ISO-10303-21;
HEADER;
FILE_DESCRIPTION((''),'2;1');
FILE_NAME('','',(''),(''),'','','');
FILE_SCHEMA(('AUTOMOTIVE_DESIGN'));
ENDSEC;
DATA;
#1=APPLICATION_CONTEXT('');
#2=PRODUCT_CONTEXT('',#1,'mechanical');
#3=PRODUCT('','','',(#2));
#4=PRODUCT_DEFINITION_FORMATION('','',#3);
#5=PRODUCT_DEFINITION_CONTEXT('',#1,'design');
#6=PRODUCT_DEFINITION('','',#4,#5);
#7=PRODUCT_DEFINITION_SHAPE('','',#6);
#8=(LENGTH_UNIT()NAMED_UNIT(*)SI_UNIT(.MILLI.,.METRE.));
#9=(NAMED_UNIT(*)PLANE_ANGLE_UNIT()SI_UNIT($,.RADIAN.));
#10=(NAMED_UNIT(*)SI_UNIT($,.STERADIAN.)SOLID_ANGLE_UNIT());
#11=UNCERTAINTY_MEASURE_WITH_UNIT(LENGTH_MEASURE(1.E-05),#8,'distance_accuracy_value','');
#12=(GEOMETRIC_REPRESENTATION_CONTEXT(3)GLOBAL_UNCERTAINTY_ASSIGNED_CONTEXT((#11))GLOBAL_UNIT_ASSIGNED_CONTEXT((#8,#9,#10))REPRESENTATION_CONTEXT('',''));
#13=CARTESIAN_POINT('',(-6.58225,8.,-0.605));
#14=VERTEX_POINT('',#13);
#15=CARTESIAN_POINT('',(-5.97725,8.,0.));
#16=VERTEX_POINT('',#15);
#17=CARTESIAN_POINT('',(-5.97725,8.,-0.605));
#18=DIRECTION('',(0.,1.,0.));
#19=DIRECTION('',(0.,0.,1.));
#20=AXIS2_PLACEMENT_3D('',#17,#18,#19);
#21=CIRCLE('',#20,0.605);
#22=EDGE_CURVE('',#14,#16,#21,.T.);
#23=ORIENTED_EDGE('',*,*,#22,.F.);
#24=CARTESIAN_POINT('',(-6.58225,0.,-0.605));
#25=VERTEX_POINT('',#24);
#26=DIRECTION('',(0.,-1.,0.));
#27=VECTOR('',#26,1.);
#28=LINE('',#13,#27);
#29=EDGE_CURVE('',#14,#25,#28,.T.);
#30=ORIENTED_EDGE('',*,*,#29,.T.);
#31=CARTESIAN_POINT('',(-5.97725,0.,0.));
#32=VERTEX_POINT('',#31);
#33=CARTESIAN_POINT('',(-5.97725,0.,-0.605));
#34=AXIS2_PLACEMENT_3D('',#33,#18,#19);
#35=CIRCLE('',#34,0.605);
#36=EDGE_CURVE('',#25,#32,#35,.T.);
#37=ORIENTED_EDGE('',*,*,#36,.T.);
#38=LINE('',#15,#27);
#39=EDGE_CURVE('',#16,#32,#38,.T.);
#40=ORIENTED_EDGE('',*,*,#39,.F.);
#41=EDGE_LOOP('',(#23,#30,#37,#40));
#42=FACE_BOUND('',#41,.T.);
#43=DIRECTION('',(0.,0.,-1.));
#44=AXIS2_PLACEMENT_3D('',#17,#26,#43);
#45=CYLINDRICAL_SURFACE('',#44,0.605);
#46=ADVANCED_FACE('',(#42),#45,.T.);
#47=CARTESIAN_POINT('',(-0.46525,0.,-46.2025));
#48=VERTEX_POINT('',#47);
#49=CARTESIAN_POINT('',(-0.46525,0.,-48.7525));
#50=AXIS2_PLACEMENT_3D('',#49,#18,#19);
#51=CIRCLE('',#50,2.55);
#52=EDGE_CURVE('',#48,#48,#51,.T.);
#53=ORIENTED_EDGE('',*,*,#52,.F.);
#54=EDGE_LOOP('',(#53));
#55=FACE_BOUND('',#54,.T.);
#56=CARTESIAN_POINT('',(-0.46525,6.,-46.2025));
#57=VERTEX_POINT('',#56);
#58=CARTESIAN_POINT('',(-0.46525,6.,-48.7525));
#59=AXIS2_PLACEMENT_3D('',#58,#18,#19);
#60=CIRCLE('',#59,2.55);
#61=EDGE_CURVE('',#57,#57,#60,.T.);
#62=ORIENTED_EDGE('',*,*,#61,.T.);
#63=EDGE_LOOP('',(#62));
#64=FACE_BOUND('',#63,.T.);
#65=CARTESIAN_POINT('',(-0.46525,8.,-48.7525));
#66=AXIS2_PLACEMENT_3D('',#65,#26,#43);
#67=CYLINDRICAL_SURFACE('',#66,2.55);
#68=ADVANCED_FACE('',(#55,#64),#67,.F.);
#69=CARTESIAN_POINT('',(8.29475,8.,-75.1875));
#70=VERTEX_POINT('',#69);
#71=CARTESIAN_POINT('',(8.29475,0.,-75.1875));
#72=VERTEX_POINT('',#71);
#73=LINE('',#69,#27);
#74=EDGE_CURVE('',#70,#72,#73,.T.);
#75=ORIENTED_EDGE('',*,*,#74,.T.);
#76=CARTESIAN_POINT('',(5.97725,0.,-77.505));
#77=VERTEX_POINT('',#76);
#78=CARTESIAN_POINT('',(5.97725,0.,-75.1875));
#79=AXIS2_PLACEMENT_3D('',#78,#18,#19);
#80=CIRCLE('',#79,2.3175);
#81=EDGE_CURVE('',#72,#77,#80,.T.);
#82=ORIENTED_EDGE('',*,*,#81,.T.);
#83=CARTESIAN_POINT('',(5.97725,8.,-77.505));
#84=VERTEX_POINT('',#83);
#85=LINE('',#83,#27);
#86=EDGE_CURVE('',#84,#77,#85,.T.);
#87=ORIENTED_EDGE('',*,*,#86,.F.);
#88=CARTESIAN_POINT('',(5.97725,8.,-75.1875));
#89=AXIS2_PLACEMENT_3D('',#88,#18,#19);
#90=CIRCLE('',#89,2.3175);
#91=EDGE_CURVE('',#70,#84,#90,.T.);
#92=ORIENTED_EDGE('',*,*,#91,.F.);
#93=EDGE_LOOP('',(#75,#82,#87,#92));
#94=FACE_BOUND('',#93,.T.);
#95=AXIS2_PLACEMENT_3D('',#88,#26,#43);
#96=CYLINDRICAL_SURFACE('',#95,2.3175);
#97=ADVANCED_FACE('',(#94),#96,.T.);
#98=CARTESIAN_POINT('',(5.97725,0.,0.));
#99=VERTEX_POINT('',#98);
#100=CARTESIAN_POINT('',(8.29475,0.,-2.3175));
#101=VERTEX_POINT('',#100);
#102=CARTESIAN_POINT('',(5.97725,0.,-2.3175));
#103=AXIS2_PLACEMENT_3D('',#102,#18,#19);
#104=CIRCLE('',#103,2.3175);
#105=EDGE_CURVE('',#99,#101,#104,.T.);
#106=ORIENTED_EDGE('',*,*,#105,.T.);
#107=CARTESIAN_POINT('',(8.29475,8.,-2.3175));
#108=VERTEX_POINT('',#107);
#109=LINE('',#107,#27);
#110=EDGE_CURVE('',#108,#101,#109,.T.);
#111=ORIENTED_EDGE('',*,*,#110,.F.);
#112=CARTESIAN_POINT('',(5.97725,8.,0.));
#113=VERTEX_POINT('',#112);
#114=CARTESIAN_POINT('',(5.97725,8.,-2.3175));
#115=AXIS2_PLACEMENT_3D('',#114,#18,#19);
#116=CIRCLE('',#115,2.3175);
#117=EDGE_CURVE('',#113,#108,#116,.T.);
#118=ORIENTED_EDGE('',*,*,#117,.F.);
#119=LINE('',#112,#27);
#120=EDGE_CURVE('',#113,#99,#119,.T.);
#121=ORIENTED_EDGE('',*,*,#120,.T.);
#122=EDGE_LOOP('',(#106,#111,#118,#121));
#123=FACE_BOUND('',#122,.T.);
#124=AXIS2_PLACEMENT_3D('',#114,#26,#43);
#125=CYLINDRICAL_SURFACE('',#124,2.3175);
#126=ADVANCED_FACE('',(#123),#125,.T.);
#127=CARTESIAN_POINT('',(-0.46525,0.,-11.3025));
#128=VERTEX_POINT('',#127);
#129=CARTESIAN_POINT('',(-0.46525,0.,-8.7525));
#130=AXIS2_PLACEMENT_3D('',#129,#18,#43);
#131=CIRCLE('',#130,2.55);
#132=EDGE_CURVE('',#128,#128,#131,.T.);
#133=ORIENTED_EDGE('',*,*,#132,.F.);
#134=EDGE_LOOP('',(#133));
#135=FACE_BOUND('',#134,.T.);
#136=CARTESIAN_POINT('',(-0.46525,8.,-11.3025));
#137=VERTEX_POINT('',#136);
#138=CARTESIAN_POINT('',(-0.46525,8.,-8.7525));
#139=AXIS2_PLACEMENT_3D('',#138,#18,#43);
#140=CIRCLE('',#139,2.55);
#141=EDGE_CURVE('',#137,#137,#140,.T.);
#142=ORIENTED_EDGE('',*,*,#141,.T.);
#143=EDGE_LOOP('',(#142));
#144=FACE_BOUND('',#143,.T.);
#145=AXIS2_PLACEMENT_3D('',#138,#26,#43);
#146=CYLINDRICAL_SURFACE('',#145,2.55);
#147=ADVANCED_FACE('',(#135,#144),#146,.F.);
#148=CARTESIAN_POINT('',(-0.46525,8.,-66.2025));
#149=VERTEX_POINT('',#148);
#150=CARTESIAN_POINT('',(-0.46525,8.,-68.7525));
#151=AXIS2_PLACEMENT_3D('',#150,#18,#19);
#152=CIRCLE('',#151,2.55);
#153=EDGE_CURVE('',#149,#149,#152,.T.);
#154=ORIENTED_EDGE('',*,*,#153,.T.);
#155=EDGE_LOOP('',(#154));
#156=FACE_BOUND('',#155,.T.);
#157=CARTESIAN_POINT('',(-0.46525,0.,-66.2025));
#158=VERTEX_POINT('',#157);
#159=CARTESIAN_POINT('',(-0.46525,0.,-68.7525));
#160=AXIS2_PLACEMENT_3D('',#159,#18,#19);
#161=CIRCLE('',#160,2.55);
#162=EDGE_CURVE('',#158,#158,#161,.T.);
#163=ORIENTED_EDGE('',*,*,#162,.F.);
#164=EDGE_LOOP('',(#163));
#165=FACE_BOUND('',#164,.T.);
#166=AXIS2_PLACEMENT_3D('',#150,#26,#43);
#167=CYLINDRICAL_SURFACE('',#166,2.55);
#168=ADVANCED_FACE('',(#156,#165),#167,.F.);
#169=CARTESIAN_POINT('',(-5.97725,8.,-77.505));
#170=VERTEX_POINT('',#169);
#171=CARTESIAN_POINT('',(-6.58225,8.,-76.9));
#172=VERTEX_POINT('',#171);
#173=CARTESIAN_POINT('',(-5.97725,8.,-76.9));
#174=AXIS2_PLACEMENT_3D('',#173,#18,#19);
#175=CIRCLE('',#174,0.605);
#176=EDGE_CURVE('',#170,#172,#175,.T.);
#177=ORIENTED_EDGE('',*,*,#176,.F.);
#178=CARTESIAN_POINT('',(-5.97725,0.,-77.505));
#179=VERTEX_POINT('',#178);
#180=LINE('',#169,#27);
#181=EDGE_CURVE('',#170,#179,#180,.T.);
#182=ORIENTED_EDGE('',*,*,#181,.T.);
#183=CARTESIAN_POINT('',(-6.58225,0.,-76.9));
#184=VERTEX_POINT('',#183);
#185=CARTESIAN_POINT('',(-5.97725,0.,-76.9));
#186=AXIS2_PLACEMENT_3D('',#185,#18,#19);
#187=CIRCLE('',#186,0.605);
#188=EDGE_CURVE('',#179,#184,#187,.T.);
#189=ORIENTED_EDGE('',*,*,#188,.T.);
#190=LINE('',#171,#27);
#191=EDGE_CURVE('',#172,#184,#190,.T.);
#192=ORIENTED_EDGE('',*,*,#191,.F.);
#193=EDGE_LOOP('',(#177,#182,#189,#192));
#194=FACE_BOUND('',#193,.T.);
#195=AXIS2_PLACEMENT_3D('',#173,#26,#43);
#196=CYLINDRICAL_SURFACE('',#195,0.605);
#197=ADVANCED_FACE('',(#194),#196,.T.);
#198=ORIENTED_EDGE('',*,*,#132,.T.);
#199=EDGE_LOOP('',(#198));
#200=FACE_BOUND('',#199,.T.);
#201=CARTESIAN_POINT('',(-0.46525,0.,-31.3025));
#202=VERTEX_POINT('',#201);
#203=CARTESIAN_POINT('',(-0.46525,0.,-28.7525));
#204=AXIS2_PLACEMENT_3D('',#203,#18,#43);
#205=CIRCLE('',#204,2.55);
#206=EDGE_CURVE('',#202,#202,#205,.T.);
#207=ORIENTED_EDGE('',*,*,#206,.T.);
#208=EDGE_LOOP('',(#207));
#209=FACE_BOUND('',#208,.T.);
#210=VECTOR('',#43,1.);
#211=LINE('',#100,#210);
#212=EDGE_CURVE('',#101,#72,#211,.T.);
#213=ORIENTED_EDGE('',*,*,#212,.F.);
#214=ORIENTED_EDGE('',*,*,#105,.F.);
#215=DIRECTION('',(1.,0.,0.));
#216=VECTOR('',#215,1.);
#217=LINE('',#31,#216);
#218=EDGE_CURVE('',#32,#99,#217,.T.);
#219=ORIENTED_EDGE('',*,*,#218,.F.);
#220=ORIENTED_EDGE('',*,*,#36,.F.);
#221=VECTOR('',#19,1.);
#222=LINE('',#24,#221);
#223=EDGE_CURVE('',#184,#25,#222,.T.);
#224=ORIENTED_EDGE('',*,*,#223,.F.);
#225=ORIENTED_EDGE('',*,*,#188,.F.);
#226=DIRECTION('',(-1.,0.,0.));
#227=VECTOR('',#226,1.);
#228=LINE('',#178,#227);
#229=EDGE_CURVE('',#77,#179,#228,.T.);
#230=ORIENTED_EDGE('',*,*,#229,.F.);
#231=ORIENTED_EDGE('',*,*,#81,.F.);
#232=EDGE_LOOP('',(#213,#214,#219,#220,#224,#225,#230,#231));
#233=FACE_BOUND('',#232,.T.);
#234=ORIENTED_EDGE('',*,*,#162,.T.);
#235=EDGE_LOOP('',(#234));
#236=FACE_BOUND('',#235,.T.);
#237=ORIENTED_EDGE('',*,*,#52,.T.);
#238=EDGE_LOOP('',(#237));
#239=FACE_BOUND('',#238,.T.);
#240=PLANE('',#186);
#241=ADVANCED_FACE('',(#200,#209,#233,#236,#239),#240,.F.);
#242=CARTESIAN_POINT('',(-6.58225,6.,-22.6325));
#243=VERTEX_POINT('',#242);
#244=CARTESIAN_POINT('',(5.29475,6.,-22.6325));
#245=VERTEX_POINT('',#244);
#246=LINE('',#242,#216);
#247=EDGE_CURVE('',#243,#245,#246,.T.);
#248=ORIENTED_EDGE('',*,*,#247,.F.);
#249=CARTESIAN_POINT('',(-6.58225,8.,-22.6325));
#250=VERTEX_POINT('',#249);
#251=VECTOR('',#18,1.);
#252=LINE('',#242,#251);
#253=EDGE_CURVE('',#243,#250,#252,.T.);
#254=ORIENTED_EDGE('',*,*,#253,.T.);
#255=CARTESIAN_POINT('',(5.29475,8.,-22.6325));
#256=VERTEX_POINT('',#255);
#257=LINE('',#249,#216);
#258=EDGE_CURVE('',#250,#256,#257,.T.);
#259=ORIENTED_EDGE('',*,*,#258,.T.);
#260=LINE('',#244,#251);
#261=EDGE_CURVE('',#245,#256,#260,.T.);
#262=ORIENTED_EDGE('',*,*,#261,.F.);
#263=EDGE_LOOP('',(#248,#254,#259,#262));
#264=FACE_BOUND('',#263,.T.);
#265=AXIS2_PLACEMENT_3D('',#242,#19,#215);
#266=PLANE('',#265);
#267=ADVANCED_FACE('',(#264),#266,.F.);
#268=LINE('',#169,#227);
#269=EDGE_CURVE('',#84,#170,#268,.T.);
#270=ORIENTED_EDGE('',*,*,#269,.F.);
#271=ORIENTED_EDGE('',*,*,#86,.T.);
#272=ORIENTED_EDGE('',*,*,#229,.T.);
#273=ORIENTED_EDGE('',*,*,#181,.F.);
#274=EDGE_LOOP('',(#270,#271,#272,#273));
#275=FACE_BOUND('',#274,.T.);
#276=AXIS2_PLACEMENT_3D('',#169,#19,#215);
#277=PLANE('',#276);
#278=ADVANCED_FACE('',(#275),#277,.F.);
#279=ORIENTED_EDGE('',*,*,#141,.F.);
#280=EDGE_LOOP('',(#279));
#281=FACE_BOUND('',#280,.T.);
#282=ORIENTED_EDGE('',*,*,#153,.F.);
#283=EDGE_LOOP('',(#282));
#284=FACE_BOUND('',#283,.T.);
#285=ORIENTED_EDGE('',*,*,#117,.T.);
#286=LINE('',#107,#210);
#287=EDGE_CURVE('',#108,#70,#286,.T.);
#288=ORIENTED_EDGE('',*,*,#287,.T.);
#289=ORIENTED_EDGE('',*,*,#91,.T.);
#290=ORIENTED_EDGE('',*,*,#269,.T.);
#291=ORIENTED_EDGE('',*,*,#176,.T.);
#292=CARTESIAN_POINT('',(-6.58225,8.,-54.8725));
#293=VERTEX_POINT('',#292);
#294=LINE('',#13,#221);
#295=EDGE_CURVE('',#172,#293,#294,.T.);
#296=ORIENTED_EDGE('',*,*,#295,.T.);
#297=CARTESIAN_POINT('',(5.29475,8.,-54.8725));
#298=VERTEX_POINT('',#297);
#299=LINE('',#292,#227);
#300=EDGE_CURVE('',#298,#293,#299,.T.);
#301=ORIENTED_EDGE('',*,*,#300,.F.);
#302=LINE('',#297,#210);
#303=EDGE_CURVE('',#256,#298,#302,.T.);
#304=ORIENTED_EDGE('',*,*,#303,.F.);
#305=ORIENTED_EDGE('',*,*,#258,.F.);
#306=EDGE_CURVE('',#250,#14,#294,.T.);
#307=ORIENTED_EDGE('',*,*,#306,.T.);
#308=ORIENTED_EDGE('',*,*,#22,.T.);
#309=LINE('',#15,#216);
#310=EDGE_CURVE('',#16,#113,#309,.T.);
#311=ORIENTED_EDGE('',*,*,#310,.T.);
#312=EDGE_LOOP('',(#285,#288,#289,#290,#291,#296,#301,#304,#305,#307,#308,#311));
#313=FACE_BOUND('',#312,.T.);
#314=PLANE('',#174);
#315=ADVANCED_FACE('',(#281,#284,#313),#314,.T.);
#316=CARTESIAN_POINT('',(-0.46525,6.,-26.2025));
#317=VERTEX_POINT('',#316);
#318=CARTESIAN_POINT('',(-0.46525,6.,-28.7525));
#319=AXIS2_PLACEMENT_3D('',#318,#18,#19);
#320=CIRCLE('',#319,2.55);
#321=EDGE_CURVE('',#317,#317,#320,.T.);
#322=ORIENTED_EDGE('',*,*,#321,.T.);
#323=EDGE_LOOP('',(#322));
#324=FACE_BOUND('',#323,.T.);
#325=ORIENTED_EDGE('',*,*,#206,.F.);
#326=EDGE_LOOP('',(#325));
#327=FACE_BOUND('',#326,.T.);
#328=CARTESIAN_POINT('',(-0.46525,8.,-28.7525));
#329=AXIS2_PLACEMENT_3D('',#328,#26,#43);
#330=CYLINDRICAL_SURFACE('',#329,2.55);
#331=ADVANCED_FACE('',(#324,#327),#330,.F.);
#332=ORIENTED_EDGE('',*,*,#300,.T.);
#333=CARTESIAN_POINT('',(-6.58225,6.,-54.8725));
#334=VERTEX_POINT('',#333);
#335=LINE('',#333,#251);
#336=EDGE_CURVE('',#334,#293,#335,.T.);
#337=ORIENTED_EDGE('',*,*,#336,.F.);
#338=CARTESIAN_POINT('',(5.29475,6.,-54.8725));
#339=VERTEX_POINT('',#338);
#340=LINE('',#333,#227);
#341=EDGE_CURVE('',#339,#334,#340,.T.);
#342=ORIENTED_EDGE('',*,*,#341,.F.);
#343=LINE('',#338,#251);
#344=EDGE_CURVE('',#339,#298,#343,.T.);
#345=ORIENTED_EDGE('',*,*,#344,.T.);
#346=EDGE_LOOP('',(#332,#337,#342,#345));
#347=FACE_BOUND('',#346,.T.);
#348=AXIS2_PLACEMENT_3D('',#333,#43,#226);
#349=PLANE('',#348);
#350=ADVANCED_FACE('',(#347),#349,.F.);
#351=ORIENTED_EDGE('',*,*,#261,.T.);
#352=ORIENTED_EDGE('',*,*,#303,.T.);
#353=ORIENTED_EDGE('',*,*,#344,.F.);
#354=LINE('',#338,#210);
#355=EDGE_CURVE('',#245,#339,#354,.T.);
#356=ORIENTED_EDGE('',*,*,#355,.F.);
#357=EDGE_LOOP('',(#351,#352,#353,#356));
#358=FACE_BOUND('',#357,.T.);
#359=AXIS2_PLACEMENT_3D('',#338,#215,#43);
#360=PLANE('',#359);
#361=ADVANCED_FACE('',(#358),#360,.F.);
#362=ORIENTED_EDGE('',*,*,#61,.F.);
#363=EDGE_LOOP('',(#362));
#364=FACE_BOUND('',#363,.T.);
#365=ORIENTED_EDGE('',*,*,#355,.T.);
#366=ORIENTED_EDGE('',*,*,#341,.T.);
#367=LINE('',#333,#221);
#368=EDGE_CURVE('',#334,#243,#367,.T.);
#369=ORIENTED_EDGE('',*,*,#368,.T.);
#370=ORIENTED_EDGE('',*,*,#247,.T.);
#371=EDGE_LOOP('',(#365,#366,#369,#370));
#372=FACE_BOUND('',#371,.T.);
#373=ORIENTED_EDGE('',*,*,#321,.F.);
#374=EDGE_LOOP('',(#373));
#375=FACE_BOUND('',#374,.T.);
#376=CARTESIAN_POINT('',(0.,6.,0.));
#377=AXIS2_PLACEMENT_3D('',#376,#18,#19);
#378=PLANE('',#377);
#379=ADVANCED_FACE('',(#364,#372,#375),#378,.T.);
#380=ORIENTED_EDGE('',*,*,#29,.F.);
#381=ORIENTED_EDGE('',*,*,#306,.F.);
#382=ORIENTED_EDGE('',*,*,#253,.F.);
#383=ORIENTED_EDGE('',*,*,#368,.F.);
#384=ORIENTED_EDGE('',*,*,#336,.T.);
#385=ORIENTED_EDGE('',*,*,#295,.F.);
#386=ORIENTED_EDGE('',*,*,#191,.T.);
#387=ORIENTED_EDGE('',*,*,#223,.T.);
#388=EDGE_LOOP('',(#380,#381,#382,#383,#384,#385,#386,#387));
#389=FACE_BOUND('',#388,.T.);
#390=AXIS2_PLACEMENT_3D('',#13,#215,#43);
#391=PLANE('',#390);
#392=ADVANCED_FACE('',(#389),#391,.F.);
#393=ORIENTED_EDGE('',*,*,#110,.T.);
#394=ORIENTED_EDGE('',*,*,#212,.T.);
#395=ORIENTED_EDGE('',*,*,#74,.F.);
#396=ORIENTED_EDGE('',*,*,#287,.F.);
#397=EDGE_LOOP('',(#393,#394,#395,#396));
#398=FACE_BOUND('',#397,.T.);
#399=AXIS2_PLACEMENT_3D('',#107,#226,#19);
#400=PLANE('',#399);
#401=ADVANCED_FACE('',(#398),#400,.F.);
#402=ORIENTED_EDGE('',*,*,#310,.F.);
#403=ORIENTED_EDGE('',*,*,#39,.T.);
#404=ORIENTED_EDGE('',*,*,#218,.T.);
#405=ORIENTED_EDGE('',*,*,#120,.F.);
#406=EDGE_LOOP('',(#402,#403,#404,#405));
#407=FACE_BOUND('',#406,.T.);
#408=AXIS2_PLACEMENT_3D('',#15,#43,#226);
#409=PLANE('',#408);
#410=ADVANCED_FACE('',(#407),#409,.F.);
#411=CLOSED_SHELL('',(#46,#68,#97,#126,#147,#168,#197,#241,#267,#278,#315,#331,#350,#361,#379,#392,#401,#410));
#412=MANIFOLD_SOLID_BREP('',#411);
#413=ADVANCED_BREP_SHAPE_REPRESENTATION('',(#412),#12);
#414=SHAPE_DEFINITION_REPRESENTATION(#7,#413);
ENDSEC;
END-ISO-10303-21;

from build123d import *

# Parameters (mm, degrees)
SKETCH1_R           = 2.55
BOSS_EXTRUDE1_DEPTH = 8
SKETCH2_W           = 11.877
SKETCH2_H           = 32.24
CUT_EXTRUDE1_DEPTH  = 2


with BuildPart() as part:
    # Sketch1 → Boss-Extrude1 (new body)
    with BuildSketch(Plane(origin=(0, 0, 0), x_dir=(1, 0, 0), z_dir=(0, 1, 0))):
        with BuildLine():
            Line((-5.97725, 0), (5.97725, 0))
            ThreePointArc((5.97725, 0), (7.615969965, 0.678780035), (8.29475, 2.3175))
            Line((8.29475, 2.3175), (8.29475, 75.1875))
            ThreePointArc((8.29475, 75.1875), (7.615969965, 76.826219965), (5.97725, 77.505))
            Line((5.97725, 77.505), (-5.97725, 77.505))
            ThreePointArc((-5.97725, 77.505), (-6.405049603, 77.327799603), (-6.58225, 76.9))
            Line((-6.58225, 76.9), (-6.58225, 0.605))
            ThreePointArc((-6.58225, 0.605), (-6.405049603, 0.177200397), (-5.97725, 0))
        make_face()
        with Locations((-0.46525, 68.7525)):
            Circle(SKETCH1_R, mode=Mode.SUBTRACT)
        with Locations((-0.46525, 48.7525)):
            Circle(SKETCH1_R, mode=Mode.SUBTRACT)
        with Locations((-0.46525, 8.7525)):
            Circle(SKETCH1_R, mode=Mode.SUBTRACT)
        with Locations((-0.46525, 28.7525)):
            Circle(SKETCH1_R, mode=Mode.SUBTRACT)
    extrude(amount=BOSS_EXTRUDE1_DEPTH)

    # Sketch2 → Cut-Extrude1 (cut)
    with BuildSketch(Plane(origin=(0, 8, 0), x_dir=(1, 0, 0), z_dir=(0, 1, 0))):
        with Locations((-0.64375, 38.7525)):
            Rectangle(SKETCH2_W, SKETCH2_H)
    extrude(amount=-CUT_EXTRUDE1_DEPTH, mode=Mode.SUBTRACT)


solid = part.part
